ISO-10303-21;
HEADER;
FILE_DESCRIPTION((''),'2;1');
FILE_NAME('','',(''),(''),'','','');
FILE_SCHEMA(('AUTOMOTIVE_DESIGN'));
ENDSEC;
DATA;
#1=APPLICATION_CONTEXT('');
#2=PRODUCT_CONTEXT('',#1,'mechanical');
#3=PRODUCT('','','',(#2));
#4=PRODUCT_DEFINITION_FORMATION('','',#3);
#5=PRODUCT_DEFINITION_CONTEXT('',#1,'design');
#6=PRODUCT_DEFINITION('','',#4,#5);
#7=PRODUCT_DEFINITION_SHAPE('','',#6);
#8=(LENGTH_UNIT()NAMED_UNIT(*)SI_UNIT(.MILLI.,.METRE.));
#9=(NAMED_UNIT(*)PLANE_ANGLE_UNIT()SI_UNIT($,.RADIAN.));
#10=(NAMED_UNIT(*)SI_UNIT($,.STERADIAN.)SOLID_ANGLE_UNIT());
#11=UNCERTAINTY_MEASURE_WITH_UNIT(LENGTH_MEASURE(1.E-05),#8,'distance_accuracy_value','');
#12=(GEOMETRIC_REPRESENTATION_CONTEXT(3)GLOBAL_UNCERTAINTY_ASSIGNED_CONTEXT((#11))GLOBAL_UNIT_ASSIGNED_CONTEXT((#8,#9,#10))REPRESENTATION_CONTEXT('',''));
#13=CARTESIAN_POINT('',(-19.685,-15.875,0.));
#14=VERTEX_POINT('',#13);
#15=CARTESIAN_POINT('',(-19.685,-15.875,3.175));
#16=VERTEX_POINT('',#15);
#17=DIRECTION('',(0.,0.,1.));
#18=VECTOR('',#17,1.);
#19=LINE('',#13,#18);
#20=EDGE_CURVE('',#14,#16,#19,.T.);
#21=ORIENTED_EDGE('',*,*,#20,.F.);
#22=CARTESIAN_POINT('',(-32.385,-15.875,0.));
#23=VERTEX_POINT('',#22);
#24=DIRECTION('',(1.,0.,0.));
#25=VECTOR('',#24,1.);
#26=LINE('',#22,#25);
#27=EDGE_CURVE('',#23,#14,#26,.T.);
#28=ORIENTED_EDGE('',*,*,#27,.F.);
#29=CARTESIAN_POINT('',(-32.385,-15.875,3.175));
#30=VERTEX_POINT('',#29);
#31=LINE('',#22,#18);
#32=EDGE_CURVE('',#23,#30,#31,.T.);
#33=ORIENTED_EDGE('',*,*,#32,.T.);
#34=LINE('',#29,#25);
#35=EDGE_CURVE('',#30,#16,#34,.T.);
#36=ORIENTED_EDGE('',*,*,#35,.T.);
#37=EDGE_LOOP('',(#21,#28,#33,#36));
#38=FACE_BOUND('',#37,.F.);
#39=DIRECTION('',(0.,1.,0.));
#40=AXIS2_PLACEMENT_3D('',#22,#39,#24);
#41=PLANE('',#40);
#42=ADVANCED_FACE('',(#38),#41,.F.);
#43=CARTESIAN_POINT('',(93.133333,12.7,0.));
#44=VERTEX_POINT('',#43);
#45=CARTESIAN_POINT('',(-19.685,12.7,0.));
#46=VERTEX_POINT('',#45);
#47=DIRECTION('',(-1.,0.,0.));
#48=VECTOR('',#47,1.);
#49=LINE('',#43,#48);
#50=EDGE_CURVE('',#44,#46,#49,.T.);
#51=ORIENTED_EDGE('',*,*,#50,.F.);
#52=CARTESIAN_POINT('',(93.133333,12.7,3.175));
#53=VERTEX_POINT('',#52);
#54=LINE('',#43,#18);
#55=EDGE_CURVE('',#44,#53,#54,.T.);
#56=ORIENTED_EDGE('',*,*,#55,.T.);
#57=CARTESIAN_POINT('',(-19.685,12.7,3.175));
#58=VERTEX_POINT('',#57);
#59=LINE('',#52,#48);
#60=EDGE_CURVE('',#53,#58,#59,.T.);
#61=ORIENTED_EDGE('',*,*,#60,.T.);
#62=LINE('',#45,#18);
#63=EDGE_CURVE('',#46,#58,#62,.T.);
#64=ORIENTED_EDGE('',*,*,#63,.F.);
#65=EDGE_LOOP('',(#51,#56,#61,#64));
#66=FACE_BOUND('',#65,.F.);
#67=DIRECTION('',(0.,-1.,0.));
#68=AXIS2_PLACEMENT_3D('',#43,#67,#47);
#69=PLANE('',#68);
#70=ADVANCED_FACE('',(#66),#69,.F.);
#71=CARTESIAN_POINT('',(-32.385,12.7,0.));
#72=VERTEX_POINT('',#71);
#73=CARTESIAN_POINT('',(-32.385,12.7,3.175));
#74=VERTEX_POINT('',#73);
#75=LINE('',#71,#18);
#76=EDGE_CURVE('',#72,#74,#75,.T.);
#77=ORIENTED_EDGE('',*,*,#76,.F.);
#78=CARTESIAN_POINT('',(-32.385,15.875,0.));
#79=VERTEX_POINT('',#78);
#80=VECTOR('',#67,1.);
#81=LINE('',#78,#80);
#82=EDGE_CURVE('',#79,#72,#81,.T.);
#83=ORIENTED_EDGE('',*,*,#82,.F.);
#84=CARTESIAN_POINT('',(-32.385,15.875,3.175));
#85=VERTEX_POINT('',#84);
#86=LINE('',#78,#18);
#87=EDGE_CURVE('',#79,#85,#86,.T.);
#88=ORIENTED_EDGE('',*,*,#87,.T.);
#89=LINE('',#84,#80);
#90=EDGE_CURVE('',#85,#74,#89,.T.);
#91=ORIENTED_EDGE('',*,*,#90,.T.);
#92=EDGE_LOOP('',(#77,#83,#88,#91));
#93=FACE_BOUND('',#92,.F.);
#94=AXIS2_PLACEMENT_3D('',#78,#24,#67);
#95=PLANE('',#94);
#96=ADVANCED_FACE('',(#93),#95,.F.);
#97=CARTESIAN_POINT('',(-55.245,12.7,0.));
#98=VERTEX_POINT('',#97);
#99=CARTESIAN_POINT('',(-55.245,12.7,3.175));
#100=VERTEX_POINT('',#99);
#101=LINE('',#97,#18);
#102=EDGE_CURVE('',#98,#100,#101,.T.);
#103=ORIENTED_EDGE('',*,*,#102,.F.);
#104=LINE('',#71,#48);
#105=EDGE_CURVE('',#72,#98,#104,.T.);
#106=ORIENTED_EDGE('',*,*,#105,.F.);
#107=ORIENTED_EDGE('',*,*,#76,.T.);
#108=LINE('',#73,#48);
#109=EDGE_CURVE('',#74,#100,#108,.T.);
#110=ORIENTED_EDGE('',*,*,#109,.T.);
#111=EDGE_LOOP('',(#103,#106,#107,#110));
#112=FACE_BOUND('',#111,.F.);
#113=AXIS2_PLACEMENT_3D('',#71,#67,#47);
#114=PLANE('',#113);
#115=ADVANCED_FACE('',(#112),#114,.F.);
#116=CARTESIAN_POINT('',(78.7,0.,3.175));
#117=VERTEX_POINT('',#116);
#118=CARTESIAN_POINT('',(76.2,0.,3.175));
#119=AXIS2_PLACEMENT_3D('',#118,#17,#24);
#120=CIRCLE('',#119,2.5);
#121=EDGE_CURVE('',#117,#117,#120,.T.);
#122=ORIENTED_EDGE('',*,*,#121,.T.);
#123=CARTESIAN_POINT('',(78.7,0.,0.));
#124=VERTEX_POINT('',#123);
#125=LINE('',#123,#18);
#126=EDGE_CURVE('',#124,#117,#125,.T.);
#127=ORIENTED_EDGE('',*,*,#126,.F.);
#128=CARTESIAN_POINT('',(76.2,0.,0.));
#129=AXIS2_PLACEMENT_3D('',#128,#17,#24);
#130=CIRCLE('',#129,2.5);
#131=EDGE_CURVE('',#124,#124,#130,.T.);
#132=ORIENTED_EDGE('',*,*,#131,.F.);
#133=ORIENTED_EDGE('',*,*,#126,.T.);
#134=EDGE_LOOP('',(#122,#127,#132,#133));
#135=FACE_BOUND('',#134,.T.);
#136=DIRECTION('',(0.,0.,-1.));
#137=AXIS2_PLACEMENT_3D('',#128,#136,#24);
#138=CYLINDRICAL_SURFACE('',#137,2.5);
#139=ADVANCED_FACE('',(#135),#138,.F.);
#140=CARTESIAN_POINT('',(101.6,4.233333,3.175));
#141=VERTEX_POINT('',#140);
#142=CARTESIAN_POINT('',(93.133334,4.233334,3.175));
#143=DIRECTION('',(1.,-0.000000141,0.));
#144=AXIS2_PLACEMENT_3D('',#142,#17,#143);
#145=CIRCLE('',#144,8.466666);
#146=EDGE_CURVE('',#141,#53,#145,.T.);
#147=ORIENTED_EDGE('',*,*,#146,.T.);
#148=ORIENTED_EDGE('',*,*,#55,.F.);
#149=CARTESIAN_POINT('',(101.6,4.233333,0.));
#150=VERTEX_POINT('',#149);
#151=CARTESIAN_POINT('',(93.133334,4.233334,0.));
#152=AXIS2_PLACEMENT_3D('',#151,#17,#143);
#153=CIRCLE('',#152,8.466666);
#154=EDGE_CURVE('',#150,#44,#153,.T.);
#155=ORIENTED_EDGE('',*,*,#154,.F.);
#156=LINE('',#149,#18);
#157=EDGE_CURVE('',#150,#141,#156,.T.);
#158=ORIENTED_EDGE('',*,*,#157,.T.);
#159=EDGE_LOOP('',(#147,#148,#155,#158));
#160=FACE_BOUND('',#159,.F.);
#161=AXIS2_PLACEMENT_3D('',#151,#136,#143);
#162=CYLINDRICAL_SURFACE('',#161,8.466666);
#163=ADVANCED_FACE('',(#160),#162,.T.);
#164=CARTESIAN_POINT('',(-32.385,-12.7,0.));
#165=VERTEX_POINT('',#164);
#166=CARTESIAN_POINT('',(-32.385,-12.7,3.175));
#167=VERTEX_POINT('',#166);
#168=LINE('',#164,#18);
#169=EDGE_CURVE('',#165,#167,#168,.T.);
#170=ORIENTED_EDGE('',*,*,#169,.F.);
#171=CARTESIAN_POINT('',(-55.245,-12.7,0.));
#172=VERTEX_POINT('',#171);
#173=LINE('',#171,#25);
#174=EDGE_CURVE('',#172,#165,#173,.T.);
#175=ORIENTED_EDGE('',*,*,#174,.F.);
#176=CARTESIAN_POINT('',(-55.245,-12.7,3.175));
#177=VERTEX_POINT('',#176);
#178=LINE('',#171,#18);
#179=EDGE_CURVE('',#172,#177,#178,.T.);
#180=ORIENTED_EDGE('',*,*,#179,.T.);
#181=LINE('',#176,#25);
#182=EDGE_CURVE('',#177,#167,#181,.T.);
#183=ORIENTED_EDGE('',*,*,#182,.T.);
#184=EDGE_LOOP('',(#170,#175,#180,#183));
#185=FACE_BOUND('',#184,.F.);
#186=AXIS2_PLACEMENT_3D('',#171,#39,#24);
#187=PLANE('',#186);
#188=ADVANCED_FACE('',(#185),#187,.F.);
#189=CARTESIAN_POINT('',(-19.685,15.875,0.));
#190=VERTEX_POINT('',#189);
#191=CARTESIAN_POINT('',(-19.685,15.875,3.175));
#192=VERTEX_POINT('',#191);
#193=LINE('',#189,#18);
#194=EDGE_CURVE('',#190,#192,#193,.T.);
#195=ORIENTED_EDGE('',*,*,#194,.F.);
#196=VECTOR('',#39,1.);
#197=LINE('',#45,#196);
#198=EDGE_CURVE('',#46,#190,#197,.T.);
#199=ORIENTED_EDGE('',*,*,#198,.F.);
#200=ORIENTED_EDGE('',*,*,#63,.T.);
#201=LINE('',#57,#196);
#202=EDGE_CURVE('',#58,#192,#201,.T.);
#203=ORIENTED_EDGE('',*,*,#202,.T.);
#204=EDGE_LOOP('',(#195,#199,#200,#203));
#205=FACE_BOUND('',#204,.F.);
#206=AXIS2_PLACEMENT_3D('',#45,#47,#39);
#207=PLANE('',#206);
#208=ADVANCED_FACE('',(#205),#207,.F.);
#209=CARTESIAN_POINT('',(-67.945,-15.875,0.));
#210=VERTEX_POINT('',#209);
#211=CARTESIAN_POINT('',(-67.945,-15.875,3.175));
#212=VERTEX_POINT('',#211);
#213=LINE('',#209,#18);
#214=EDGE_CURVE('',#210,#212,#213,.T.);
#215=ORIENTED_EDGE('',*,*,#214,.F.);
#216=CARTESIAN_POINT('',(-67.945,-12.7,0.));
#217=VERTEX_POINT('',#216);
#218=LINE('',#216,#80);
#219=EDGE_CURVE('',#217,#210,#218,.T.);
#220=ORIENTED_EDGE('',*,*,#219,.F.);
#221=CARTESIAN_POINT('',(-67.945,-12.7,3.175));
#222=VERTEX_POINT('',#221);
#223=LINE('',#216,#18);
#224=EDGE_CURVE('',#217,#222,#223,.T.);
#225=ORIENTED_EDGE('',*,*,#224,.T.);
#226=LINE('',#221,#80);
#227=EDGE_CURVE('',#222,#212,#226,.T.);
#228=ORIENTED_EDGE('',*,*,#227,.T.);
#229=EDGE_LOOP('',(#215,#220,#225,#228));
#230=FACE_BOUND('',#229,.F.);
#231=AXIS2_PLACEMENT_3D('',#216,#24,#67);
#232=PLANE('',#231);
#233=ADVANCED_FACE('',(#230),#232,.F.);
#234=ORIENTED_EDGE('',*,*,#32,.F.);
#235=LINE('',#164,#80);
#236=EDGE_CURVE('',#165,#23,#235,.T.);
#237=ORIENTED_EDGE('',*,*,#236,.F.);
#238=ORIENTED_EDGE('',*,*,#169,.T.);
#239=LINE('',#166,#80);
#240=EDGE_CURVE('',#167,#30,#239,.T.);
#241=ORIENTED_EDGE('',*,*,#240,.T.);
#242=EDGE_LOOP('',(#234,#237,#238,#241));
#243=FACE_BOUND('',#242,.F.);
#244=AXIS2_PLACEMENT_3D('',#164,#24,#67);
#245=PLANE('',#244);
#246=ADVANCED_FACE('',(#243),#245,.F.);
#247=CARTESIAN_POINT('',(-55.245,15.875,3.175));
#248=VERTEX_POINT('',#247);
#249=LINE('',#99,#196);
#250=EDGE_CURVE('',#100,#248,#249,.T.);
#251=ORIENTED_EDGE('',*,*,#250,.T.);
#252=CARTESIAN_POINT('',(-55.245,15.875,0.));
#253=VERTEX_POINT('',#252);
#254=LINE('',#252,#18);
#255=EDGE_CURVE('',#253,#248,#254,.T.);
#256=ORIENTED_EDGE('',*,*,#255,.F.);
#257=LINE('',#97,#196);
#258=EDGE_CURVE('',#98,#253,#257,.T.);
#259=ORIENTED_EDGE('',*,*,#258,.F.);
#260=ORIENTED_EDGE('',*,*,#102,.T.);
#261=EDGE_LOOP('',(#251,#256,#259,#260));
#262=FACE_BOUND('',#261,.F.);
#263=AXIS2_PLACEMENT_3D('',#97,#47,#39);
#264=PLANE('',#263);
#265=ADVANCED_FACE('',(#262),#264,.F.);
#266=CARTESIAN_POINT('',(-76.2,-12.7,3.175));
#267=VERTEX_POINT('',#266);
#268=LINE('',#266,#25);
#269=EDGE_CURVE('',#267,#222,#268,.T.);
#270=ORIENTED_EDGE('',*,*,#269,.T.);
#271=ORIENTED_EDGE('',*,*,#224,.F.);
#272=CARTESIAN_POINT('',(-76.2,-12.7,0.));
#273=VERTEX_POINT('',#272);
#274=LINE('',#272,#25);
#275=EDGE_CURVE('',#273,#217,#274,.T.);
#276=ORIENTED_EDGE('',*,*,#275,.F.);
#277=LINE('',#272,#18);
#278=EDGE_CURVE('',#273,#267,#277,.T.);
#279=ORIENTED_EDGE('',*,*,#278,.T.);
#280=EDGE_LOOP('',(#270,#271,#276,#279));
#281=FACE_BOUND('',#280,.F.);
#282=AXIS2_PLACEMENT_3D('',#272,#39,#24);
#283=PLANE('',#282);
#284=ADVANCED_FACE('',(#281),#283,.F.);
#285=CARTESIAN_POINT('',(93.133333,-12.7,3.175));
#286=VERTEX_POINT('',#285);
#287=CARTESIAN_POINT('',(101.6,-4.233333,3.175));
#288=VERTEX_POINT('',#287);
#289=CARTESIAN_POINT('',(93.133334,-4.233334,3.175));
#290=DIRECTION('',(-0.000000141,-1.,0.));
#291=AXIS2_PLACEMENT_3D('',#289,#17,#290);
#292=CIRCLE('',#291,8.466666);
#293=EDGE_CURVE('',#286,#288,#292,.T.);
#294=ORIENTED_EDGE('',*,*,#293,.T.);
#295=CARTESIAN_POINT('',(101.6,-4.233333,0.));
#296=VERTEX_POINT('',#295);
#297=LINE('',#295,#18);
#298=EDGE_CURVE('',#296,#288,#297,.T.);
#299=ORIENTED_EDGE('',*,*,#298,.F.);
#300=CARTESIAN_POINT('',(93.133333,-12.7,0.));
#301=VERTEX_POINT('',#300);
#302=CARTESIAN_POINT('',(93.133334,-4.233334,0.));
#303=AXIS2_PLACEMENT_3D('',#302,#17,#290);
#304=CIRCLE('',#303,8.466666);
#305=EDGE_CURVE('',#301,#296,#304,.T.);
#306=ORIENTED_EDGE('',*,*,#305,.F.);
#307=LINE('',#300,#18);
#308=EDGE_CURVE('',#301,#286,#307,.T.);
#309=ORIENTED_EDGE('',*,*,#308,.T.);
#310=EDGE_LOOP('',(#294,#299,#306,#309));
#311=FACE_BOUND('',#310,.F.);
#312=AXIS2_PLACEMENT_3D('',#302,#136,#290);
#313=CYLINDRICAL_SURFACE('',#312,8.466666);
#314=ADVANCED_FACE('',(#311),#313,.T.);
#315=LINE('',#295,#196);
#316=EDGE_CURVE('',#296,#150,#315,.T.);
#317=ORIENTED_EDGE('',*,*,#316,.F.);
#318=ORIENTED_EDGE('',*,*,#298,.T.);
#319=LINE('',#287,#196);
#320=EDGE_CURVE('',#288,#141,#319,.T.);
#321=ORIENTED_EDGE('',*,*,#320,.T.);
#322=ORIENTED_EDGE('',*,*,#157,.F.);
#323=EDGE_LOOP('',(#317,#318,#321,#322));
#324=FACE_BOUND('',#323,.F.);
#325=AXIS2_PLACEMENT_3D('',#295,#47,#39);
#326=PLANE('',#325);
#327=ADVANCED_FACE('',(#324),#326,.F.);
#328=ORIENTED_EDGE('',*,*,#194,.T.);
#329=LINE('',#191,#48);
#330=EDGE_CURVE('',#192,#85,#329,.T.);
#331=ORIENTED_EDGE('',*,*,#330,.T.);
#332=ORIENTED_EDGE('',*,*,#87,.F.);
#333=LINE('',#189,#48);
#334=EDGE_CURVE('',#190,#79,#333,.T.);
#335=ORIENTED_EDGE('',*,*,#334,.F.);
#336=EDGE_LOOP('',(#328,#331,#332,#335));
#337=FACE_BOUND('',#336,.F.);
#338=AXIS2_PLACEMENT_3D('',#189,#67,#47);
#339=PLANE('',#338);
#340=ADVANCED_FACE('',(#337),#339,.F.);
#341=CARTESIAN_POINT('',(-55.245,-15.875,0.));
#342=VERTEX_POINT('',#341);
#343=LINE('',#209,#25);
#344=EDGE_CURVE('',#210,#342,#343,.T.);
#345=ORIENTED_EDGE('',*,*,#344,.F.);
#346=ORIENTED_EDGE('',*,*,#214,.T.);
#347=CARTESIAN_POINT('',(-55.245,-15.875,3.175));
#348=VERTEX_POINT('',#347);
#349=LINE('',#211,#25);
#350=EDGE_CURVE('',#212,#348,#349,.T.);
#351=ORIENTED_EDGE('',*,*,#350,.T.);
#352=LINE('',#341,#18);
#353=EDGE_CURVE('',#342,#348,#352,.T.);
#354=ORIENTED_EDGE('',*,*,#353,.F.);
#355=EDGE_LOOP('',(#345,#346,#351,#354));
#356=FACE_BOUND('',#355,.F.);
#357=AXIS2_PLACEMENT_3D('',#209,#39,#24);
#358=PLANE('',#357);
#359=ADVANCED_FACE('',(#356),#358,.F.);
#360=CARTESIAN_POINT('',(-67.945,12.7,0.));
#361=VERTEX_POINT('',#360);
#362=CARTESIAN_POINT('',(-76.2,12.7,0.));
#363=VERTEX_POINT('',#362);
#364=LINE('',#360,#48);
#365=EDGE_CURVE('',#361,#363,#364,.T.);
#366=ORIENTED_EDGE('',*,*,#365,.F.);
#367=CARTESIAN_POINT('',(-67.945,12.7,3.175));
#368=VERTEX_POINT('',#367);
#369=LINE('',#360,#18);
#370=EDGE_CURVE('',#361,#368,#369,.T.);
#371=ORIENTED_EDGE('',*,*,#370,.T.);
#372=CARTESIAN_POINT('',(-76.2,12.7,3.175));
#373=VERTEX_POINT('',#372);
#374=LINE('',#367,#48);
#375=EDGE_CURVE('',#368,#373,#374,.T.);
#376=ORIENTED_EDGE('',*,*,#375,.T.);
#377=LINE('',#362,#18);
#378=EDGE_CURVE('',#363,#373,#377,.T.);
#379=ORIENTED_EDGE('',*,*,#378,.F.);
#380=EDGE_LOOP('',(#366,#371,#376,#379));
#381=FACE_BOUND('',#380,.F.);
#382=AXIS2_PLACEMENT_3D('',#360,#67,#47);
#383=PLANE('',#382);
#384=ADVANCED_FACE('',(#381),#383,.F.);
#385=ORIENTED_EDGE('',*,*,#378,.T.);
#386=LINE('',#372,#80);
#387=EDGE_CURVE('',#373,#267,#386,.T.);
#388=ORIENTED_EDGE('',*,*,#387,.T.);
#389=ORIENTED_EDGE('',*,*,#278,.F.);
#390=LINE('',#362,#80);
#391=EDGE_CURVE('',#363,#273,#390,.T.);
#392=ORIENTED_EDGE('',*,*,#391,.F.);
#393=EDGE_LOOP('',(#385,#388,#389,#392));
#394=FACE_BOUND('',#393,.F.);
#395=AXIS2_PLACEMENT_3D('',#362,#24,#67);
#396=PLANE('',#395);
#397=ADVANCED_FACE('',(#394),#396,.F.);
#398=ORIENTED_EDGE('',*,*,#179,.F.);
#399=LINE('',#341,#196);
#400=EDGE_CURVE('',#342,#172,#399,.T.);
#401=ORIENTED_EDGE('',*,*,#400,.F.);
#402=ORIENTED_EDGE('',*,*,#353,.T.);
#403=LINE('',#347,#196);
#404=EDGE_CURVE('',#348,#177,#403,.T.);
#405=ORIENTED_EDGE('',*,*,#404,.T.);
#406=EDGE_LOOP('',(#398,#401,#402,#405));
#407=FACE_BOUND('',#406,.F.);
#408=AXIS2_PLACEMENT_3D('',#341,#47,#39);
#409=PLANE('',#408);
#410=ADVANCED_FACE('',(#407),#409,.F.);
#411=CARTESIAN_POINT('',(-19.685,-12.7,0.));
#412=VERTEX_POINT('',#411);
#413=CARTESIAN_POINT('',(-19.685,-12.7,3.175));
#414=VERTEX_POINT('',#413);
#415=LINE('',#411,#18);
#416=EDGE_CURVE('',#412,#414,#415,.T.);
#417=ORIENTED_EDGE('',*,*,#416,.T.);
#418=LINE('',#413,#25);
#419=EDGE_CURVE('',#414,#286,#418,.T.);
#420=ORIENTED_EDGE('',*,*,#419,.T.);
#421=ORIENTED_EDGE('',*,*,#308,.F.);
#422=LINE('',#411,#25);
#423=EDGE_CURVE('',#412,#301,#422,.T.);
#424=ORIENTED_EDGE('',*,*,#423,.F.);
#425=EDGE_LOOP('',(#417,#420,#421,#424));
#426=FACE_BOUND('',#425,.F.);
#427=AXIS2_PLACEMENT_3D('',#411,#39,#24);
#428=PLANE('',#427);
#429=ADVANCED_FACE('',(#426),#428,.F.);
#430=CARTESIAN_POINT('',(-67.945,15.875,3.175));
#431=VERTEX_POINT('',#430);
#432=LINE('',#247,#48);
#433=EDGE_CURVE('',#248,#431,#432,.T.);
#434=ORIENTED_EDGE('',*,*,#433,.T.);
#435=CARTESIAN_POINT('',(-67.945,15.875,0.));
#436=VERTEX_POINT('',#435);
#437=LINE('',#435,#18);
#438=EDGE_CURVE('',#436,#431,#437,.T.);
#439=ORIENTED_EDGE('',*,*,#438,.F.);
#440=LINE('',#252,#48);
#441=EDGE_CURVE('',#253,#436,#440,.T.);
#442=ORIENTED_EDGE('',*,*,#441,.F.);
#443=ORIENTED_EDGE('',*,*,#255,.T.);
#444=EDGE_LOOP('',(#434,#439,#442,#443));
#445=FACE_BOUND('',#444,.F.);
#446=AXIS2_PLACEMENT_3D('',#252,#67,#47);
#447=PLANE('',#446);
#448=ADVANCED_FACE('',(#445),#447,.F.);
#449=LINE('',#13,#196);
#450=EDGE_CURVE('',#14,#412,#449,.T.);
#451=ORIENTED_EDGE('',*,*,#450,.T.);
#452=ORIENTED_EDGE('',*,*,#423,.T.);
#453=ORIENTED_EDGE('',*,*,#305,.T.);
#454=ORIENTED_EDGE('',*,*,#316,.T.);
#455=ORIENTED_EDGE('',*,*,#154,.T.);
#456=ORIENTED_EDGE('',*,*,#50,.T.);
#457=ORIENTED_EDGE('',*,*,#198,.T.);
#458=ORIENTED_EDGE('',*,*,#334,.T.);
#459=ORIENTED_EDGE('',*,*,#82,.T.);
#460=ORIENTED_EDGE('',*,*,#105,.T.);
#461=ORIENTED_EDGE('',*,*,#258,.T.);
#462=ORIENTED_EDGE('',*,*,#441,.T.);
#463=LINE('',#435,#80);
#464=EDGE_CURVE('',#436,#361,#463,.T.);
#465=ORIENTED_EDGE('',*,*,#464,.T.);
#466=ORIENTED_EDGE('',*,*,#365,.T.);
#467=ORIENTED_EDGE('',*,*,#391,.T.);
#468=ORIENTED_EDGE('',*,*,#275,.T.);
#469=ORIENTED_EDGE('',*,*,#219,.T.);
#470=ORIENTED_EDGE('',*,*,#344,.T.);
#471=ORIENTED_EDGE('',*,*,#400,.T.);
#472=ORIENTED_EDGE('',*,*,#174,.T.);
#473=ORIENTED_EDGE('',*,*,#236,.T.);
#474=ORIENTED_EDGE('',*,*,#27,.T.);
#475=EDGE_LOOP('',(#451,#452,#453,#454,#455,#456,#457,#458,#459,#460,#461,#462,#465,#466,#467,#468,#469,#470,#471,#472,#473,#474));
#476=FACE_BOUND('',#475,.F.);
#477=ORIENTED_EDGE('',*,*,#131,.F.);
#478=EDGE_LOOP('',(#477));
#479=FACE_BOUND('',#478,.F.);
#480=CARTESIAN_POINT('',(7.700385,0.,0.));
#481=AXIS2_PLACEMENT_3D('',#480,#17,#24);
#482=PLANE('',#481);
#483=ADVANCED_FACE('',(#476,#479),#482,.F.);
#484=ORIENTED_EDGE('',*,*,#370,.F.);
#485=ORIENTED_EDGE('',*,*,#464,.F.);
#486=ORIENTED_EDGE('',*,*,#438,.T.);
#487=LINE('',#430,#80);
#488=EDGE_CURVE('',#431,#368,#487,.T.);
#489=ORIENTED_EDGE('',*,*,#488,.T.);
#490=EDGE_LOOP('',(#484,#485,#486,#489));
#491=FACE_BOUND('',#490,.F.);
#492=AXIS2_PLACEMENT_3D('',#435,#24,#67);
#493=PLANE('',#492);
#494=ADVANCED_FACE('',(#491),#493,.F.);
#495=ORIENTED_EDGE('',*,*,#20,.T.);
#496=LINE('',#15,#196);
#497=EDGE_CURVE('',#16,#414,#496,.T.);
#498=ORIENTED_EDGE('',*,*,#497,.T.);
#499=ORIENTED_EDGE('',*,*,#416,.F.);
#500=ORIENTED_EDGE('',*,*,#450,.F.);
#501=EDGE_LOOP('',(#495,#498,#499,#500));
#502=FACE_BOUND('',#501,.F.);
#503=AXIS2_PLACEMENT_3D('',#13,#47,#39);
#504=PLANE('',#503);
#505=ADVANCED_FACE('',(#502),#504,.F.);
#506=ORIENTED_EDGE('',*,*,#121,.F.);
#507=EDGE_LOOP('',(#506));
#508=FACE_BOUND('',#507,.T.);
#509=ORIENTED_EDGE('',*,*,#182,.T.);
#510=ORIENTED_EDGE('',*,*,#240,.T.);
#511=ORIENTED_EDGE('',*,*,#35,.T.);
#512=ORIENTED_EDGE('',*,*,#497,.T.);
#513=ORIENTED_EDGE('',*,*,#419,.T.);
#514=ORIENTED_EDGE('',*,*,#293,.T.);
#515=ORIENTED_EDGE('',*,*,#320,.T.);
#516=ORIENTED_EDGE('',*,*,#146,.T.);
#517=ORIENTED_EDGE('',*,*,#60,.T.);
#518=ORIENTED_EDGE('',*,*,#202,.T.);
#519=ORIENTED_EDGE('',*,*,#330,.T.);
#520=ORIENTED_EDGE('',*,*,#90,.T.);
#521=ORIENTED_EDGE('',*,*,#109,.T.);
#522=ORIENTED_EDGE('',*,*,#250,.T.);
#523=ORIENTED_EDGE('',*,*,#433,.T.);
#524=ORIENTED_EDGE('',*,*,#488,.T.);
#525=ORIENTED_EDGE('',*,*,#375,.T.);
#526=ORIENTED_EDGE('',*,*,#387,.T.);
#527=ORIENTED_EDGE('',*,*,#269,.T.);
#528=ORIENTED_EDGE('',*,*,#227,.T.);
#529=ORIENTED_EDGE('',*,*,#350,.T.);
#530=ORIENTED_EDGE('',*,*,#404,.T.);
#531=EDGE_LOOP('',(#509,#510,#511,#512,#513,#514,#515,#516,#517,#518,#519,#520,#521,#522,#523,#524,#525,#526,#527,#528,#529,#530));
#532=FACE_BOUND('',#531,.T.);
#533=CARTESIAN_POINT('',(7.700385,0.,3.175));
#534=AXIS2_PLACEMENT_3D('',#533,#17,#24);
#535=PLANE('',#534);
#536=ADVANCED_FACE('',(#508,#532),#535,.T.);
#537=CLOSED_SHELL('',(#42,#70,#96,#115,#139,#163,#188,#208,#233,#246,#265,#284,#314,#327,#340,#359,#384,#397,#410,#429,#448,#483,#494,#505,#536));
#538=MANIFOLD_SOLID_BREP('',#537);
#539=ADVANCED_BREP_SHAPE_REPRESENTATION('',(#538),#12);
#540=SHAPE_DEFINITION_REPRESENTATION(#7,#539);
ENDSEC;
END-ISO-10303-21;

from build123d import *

# Parameters (mm, degrees)
F0_R     = 2.5
F1_DEPTH = 3.175


with BuildPart() as f1:
    # F0 (on Top) → F1 (new body)
    with BuildSketch(Plane.XY):
        with BuildLine():
            Line((-69.85, 12.7), (-76.2, 12.7))
            Line((-76.2, 12.7), (-76.2, -12.7))
            Line((-76.2, -12.7), (-69.85, -12.7))
            Line((-69.85, -12.7), (-67.945, -12.7))
            Line((-67.945, -12.7), (-67.945, -15.875))
            Line((-67.945, -15.875), (-55.245, -15.875))
            Line((-55.245, -15.875), (-55.245, -12.7))
            Line((-55.245, -12.7), (-53.34, -12.7))
            Line((-53.34, -12.7), (-34.29, -12.7))
            Line((-34.29, -12.7), (-32.385, -12.7))
            Line((-32.385, -12.7), (-32.385, -15.875))
            Line((-32.385, -15.875), (-19.685, -15.875))
            Line((-19.685, -15.875), (-19.685, -12.7))
            Line((-19.685, -12.7), (62.480263, -12.7))
            Line((62.480263, -12.7), (63.47136, -12.7))
            Line((63.47136, -12.7), (88.92864, -12.7))
            Line((88.92864, -12.7), (89.919737, -12.7))
            Line((89.919737, -12.7), (93.133333, -12.7))
            ThreePointArc((93.133333, -12.7), (99.120171, -10.220171), (101.6, -4.233333))
            Line((101.6, -4.233333), (101.6, 4.233333))
            ThreePointArc((101.6, 4.233333), (99.120171, 10.220171), (93.133333, 12.7))
            Line((93.133333, 12.7), (76.2, 12.7))
            Line((76.2, 12.7), (-19.685, 12.7))
            Line((-19.685, 12.7), (-19.685, 15.875))
            Line((-19.685, 15.875), (-32.385, 15.875))
            Line((-32.385, 15.875), (-32.385, 12.7))
            Line((-32.385, 12.7), (-34.29, 12.7))
            Line((-34.29, 12.7), (-53.34, 12.7))
            Line((-53.34, 12.7), (-55.245, 12.7))
            Line((-55.245, 12.7), (-55.245, 15.875))
            Line((-55.245, 15.875), (-67.945, 15.875))
            Line((-67.945, 15.875), (-67.945, 12.7))
            Line((-67.945, 12.7), (-69.85, 12.7))
        make_face()
        with Locations((76.2, 0)):
            Circle(F0_R, mode=Mode.SUBTRACT)
    extrude(amount=F1_DEPTH)


solid = f1.part
